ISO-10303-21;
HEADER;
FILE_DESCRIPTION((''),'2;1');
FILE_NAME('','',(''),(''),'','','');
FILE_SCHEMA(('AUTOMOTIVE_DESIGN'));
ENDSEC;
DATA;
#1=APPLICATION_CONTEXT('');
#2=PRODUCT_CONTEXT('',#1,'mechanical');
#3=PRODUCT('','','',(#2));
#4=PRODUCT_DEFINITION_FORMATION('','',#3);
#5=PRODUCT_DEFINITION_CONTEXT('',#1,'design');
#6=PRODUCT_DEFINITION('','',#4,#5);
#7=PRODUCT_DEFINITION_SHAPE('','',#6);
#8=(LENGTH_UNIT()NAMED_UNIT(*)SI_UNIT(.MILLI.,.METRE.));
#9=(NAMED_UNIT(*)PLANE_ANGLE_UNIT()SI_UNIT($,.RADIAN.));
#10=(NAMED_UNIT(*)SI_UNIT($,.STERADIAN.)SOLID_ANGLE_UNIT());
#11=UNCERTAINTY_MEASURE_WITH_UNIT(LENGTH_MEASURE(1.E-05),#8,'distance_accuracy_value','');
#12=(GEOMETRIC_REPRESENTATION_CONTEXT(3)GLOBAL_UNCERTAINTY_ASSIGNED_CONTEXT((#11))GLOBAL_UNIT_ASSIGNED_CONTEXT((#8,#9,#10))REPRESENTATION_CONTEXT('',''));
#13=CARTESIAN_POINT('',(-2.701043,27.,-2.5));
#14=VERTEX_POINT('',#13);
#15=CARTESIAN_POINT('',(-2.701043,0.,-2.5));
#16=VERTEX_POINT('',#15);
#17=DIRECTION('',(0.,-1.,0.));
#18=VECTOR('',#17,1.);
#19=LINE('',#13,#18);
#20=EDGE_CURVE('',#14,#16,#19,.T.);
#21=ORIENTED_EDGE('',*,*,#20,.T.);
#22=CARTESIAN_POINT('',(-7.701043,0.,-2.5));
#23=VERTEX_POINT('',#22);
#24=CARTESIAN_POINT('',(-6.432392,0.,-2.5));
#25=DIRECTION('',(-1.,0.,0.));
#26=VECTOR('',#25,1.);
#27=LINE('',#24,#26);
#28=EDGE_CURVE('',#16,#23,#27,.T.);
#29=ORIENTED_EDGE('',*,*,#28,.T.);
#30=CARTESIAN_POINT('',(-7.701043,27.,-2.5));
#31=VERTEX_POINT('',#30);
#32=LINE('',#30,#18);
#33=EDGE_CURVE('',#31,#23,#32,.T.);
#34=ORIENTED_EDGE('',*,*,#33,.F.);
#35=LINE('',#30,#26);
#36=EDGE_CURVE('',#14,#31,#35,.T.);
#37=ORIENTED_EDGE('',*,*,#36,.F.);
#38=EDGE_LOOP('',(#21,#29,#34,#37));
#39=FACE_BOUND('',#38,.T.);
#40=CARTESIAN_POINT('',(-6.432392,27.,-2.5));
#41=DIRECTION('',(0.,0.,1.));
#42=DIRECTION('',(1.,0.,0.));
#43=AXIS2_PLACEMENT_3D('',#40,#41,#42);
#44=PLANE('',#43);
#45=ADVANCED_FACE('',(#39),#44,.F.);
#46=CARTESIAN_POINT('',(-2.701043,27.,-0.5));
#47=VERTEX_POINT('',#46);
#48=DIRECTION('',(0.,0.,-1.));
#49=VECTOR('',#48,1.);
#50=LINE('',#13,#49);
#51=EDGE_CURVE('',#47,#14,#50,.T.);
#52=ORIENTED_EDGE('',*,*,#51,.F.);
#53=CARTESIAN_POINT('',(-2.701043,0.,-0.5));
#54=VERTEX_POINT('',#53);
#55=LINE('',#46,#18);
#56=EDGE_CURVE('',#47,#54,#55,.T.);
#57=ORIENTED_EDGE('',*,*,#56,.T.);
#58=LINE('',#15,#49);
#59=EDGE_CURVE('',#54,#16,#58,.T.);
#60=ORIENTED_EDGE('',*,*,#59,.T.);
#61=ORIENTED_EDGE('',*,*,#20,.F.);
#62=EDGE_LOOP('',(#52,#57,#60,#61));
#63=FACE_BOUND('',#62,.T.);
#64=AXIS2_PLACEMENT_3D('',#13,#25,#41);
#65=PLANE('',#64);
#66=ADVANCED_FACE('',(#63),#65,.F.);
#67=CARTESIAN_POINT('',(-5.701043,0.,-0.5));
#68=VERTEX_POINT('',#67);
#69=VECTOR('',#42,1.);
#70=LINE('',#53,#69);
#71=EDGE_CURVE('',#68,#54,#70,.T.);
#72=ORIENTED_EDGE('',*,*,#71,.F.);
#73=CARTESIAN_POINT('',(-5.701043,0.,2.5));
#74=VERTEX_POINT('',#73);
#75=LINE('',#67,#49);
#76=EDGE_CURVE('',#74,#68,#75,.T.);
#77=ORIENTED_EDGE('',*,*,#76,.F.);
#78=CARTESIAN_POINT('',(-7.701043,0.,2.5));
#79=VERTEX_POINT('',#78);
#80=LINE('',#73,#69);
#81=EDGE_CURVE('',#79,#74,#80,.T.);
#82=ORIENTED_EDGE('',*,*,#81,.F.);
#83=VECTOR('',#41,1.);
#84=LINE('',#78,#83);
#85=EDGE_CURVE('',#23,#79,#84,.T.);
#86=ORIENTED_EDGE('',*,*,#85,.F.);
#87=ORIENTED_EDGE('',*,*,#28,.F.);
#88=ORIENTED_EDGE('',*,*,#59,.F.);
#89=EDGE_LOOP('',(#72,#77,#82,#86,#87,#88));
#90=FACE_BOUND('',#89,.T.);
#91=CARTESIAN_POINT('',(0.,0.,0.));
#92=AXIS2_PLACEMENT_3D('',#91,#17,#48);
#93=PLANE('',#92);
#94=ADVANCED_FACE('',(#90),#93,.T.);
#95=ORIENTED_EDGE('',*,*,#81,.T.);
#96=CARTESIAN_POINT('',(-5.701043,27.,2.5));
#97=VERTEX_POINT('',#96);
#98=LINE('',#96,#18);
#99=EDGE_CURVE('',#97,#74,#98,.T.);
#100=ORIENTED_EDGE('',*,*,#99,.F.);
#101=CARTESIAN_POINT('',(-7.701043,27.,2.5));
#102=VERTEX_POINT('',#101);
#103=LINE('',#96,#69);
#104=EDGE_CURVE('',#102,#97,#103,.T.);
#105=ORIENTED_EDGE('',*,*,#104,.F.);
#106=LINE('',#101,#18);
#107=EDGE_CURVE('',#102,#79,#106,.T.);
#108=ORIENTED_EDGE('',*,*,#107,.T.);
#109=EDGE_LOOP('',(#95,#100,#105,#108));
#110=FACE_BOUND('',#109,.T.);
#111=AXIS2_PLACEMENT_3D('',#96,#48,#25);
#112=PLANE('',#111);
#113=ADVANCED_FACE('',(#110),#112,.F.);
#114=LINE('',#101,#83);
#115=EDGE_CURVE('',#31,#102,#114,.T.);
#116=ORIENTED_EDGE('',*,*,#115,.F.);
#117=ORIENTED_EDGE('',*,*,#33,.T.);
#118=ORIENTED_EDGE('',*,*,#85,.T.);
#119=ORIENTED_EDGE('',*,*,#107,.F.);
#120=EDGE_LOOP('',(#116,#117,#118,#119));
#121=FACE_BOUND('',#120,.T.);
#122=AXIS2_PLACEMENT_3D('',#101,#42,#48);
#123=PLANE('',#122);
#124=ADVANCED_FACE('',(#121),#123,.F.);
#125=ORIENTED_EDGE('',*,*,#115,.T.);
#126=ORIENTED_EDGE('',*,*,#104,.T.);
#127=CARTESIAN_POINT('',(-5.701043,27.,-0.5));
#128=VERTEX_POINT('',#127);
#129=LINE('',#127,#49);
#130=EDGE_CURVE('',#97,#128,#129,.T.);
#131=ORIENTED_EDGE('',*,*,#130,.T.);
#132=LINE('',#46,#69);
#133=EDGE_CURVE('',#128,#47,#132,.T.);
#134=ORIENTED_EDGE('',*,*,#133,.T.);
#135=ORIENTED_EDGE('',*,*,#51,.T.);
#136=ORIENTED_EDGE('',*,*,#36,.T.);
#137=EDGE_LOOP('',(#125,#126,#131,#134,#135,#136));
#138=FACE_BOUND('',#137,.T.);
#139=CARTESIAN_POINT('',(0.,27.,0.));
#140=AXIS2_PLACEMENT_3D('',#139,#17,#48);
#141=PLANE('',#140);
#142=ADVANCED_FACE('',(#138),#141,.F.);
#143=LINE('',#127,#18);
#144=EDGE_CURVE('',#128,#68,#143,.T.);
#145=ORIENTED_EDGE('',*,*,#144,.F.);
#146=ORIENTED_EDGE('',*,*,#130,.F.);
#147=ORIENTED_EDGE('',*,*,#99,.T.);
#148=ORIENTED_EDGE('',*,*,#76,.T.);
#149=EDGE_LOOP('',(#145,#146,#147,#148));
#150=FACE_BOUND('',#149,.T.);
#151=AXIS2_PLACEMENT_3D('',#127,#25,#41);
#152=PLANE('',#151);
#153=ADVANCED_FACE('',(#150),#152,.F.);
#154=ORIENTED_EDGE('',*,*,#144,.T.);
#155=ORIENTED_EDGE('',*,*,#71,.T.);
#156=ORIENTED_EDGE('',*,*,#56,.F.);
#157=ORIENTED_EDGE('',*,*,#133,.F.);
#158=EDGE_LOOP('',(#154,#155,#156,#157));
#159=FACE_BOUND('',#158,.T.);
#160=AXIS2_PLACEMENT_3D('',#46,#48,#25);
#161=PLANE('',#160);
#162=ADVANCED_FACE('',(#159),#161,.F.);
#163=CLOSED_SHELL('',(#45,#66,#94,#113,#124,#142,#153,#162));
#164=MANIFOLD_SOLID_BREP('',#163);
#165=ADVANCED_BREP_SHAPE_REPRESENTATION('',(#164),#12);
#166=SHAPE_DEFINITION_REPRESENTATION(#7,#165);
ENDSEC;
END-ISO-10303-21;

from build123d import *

# Parameters (mm, degrees)
BOSS_EXTRUDE1_DEPTH = 27


with BuildPart() as part:
    # Sketch1 → Boss-Extrude1 (new body)
    with BuildSketch(Plane(origin=(0, 0, 0), x_dir=(1, 0, 0), z_dir=(0, 1, 0))):
        Polygon((-6.432391634, 2.5), (-2.701042517, 2.5), (-2.701042517, 0.5), (-5.701042517, 0.5), (-5.701042517, -2.5), (-7.701042517, -2.5), (-7.701042517, 2.5), align=None)
    extrude(amount=BOSS_EXTRUDE1_DEPTH)


solid = part.part
